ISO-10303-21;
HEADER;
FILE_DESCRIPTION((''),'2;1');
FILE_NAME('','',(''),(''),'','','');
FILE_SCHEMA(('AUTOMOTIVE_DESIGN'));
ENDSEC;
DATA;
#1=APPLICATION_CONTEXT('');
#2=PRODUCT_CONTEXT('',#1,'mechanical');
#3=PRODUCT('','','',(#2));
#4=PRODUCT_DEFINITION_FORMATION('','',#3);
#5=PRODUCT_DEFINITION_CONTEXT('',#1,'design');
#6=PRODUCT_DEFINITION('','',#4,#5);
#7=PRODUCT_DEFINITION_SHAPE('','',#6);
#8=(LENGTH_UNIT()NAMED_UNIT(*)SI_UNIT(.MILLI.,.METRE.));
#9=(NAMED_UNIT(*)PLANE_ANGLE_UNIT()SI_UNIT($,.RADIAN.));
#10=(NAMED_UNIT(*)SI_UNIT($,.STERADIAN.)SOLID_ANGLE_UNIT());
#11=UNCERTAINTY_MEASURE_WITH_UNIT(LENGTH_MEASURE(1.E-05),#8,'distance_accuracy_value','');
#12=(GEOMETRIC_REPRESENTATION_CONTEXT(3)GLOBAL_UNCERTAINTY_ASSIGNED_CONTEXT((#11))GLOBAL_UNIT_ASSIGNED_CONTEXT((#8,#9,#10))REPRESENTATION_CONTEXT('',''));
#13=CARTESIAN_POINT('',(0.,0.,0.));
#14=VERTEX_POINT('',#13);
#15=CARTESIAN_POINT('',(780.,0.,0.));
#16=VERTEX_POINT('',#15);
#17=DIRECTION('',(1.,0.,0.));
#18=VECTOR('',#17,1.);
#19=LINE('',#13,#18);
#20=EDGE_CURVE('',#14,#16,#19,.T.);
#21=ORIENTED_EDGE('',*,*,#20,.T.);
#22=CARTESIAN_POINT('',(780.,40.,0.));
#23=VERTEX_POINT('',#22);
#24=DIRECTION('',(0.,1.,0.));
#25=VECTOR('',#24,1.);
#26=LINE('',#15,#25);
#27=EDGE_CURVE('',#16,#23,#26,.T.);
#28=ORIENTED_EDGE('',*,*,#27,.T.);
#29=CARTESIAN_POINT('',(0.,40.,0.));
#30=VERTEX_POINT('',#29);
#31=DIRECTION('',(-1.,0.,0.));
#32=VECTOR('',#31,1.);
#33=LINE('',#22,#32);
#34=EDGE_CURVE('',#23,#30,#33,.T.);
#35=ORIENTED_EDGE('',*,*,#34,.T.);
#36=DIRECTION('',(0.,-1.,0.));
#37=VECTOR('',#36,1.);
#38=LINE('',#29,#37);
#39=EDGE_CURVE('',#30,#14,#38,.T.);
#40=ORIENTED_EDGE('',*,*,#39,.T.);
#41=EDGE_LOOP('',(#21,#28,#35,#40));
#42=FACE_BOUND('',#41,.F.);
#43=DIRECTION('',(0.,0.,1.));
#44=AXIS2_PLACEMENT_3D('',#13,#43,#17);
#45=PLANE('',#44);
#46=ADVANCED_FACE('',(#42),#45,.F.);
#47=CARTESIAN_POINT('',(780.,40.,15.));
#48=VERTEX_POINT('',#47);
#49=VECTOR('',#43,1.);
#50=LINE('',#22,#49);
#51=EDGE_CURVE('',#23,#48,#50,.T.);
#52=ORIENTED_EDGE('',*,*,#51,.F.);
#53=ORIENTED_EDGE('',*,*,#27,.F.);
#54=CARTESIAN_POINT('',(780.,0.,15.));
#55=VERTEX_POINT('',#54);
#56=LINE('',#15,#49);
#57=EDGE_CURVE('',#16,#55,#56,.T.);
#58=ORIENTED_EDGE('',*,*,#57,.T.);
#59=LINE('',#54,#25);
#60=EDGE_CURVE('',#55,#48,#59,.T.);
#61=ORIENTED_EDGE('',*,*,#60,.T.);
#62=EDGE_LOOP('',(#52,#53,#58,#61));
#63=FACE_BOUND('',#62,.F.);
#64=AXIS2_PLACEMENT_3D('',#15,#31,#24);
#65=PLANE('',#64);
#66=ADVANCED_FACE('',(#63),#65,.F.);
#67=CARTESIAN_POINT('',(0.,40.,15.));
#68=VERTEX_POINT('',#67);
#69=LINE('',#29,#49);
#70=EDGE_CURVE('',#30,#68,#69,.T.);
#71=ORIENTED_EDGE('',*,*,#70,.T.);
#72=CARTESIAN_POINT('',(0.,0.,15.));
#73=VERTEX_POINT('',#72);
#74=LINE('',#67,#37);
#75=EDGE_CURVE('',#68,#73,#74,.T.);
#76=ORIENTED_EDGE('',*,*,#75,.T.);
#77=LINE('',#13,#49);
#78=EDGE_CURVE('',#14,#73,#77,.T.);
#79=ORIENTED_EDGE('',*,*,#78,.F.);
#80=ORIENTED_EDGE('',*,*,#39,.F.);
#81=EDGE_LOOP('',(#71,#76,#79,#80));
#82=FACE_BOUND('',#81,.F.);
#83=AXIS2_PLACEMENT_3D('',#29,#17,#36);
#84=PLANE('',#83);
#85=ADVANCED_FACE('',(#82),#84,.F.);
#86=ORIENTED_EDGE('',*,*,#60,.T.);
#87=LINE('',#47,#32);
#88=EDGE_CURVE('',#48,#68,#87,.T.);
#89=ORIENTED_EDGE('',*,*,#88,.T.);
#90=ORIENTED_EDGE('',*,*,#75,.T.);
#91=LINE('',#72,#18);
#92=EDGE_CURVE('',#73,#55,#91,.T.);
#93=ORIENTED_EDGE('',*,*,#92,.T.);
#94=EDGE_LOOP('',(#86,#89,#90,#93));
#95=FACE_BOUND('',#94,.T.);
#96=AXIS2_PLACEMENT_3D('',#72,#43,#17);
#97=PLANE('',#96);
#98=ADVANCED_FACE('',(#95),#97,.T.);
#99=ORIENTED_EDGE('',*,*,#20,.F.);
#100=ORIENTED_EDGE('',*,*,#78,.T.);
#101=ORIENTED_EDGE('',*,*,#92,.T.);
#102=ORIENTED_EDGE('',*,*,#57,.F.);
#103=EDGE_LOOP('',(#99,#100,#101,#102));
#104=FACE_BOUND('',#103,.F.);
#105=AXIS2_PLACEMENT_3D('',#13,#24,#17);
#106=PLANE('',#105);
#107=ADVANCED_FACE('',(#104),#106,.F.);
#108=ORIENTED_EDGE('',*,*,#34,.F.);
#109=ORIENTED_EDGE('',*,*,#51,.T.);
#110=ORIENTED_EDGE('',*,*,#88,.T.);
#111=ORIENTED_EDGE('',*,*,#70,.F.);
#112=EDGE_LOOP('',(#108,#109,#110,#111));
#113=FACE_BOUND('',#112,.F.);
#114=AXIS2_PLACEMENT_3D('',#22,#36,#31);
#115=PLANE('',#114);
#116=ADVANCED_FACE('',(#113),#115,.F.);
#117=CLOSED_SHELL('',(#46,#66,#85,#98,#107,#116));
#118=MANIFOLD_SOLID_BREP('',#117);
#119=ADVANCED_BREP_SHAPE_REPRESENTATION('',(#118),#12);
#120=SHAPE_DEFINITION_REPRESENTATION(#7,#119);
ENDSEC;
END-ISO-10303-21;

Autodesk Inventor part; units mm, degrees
ref_plane "YZ Plane" through (0, 0, 0) normal (1, 0, 0) x (0, 1, 0)
ref_plane "XZ Plane" through (0, 0, 0) normal (0, 1, 0) x (-1, 0, 0)
ref_plane "XY Plane" through (0, 0, 0) normal (0, 0, 1) x (1, 0, 0)
sketch "Sketch1" plane through (0, 0, 0) normal (0, 0, 1) x (1, 0, 0)
  line L0 (0, 0) -> (780, 0)
  line L1 (780, 0) -> (780, 40)
  line L2 (780, 40) -> (0, 40)
  line L3 (0, 40) -> (0, 0)
  dimension "d0" = 40
extrude "Extrusion1" add sketch "Sketch1" along normal blind 15
properties part number "MPX-side-spacer" material "Wood (Walnut)"
